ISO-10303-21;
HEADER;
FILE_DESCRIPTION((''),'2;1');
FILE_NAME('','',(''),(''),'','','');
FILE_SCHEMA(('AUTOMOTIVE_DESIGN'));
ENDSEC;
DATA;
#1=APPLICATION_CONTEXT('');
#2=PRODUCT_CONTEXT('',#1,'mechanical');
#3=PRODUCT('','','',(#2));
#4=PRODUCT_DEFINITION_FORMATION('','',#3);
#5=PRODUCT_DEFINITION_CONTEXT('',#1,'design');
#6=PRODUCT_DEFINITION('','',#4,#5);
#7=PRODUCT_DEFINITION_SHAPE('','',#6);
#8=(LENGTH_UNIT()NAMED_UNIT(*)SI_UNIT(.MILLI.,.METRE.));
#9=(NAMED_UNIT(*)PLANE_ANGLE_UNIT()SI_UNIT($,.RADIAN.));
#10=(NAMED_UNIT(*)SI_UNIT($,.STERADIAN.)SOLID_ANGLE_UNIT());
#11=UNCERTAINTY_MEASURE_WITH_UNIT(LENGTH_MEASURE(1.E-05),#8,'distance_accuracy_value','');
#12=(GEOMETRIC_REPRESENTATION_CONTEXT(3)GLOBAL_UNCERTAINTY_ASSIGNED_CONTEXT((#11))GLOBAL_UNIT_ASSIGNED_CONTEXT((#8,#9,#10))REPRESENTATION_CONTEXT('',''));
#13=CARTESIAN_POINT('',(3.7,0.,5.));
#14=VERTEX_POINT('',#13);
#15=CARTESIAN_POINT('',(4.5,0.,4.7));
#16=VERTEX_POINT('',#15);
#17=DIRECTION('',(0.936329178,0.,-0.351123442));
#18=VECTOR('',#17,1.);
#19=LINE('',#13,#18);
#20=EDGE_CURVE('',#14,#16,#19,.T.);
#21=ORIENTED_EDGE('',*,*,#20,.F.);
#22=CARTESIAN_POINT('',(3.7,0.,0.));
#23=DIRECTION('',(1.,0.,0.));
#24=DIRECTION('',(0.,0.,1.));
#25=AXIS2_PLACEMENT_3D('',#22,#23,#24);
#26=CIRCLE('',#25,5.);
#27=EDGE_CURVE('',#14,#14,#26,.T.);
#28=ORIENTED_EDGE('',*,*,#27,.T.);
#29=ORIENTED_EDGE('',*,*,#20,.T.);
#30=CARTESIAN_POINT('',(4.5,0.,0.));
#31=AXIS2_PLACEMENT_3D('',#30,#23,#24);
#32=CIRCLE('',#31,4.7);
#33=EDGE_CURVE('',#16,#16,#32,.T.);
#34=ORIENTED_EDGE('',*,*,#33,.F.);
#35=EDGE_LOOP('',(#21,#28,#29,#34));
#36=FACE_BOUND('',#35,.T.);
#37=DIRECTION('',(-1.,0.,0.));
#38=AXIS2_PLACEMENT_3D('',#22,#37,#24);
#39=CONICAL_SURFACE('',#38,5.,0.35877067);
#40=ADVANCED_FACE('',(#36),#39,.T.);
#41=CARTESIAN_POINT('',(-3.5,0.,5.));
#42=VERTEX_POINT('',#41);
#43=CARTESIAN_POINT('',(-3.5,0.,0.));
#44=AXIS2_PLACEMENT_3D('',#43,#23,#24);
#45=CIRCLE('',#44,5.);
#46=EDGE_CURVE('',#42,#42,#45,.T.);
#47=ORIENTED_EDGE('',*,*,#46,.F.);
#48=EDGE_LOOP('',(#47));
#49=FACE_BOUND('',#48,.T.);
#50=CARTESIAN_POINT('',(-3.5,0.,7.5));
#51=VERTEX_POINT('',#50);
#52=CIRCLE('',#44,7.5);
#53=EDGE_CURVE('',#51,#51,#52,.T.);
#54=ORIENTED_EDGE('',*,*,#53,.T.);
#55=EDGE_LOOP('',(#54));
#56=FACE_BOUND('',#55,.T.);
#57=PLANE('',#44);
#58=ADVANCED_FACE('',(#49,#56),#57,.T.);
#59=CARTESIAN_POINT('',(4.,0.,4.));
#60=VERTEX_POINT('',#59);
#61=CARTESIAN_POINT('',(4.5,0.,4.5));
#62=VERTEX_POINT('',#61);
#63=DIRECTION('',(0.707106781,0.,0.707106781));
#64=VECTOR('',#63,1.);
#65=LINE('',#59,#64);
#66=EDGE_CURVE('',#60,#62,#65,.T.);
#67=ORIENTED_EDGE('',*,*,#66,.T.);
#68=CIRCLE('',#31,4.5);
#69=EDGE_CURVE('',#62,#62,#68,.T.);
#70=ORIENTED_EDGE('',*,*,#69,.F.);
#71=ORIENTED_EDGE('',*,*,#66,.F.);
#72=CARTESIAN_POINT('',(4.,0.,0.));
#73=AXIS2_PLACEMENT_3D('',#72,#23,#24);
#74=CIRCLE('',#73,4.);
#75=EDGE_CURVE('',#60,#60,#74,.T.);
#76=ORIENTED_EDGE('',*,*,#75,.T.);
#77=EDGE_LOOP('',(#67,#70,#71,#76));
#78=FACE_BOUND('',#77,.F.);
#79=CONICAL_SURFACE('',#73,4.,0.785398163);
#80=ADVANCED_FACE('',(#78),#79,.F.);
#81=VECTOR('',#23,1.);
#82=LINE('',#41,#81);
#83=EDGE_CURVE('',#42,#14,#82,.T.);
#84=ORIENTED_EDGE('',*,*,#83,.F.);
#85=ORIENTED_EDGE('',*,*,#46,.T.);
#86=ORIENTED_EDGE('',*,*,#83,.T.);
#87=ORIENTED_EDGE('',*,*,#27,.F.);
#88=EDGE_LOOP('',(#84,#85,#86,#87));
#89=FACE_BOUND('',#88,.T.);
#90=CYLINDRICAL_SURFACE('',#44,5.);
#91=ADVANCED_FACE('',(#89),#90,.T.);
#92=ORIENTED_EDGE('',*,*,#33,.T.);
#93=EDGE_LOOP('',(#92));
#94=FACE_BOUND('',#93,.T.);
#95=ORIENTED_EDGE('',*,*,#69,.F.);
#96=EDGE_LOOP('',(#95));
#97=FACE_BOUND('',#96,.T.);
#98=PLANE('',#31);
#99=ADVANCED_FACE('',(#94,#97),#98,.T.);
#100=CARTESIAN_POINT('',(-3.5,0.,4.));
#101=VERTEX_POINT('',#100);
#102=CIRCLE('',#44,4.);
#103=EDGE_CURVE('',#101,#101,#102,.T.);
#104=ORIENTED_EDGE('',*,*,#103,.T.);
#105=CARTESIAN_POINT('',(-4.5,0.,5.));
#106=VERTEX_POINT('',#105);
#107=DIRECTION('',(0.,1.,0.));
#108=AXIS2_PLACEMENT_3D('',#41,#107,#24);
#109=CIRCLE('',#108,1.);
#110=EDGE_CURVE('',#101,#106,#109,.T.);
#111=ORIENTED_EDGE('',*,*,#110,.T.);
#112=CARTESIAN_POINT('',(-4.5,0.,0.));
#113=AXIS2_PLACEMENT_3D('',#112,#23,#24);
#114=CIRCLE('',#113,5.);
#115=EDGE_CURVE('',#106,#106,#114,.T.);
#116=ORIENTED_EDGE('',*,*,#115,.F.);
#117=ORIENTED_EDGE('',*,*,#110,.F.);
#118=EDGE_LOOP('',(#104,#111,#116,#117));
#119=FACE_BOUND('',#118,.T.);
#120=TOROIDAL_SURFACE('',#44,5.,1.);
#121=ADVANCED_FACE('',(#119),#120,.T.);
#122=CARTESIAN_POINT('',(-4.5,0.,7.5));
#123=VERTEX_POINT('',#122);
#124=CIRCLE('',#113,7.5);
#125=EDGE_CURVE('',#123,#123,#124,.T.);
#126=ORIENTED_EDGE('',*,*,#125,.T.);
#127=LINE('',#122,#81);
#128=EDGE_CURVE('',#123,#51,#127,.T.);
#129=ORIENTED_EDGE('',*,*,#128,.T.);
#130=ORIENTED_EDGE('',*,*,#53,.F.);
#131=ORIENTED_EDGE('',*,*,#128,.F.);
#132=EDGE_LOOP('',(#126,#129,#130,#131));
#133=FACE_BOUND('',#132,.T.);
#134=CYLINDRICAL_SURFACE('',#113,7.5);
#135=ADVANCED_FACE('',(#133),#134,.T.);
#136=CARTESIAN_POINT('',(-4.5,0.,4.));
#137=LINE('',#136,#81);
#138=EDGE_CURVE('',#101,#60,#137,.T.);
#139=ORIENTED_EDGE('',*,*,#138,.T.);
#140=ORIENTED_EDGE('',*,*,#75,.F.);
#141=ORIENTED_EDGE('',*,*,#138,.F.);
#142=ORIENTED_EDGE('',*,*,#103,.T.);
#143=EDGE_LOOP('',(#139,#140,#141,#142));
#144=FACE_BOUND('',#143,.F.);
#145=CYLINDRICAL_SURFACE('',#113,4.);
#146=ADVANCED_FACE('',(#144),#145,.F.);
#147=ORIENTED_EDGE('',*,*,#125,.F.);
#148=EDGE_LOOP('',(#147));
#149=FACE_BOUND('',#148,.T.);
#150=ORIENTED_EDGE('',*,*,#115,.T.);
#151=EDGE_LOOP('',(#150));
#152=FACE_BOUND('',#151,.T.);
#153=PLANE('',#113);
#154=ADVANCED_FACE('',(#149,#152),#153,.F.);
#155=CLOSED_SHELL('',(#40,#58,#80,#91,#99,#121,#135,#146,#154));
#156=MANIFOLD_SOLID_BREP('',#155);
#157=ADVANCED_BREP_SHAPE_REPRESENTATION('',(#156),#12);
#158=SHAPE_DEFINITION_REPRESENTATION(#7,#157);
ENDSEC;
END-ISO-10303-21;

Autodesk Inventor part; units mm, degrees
ref_plane "YZ Plane" through (0, 0, 0) normal (1, 0, 0) x (0, 1, 0)
ref_plane "XZ Plane" through (0, 0, 0) normal (0, 1, 0) x (-1, 0, 0)
ref_plane "XY Plane" through (0, 0, 0) normal (0, 0, 1) x (1, 0, 0)
sketch "Sketch2" plane through (0, 0, 0) normal (0, 1, 0) x (-1, 0, 0)
  line L0 (4.5, 4) -> (-4.5, 4)
  line L1 (4.5, 4) -> (4.5, 7.5)
  line L2 (4.5, 7.5) -> (3.5, 7.5)
  line L3 (3.5, 7.5) -> (3.5, 5)
  line L4 (3.5, 5) -> (-4.5, 5)
  line L5 (-4.5, 5) -> (-4.5, 4)
  line L6 (4.5, 0) -> (-4.5, 0)
  point P0 (0, 0)
  point P1 (0, 0)
  dimension "d1" = 9
  dimension "d2" = 1
  dimension "d3" = 1
  dimension "d4" = 3.5
  dimension "d5" = 8
revolve "Revolution1" add sketch "Sketch2" angle 360 about axis through (-4.5, 0, 0) along (1, 0, 0)
fillet "Fillet1" radius 1 1 edges at (-4.5, 0, -4)
chamfer "Chamfer1" distance 0.5 angle 45 1 edges at (4.5, 0, -4)
chamfer "Chamfer2" distance 0.8 distance2 0.3 1 edges at (4.5, 0, -5) measured on face at (1.8333, 0.8021, 4.9353)
equation "\"d3\" = d2"
properties part number "DU BUSH" material "BC"
